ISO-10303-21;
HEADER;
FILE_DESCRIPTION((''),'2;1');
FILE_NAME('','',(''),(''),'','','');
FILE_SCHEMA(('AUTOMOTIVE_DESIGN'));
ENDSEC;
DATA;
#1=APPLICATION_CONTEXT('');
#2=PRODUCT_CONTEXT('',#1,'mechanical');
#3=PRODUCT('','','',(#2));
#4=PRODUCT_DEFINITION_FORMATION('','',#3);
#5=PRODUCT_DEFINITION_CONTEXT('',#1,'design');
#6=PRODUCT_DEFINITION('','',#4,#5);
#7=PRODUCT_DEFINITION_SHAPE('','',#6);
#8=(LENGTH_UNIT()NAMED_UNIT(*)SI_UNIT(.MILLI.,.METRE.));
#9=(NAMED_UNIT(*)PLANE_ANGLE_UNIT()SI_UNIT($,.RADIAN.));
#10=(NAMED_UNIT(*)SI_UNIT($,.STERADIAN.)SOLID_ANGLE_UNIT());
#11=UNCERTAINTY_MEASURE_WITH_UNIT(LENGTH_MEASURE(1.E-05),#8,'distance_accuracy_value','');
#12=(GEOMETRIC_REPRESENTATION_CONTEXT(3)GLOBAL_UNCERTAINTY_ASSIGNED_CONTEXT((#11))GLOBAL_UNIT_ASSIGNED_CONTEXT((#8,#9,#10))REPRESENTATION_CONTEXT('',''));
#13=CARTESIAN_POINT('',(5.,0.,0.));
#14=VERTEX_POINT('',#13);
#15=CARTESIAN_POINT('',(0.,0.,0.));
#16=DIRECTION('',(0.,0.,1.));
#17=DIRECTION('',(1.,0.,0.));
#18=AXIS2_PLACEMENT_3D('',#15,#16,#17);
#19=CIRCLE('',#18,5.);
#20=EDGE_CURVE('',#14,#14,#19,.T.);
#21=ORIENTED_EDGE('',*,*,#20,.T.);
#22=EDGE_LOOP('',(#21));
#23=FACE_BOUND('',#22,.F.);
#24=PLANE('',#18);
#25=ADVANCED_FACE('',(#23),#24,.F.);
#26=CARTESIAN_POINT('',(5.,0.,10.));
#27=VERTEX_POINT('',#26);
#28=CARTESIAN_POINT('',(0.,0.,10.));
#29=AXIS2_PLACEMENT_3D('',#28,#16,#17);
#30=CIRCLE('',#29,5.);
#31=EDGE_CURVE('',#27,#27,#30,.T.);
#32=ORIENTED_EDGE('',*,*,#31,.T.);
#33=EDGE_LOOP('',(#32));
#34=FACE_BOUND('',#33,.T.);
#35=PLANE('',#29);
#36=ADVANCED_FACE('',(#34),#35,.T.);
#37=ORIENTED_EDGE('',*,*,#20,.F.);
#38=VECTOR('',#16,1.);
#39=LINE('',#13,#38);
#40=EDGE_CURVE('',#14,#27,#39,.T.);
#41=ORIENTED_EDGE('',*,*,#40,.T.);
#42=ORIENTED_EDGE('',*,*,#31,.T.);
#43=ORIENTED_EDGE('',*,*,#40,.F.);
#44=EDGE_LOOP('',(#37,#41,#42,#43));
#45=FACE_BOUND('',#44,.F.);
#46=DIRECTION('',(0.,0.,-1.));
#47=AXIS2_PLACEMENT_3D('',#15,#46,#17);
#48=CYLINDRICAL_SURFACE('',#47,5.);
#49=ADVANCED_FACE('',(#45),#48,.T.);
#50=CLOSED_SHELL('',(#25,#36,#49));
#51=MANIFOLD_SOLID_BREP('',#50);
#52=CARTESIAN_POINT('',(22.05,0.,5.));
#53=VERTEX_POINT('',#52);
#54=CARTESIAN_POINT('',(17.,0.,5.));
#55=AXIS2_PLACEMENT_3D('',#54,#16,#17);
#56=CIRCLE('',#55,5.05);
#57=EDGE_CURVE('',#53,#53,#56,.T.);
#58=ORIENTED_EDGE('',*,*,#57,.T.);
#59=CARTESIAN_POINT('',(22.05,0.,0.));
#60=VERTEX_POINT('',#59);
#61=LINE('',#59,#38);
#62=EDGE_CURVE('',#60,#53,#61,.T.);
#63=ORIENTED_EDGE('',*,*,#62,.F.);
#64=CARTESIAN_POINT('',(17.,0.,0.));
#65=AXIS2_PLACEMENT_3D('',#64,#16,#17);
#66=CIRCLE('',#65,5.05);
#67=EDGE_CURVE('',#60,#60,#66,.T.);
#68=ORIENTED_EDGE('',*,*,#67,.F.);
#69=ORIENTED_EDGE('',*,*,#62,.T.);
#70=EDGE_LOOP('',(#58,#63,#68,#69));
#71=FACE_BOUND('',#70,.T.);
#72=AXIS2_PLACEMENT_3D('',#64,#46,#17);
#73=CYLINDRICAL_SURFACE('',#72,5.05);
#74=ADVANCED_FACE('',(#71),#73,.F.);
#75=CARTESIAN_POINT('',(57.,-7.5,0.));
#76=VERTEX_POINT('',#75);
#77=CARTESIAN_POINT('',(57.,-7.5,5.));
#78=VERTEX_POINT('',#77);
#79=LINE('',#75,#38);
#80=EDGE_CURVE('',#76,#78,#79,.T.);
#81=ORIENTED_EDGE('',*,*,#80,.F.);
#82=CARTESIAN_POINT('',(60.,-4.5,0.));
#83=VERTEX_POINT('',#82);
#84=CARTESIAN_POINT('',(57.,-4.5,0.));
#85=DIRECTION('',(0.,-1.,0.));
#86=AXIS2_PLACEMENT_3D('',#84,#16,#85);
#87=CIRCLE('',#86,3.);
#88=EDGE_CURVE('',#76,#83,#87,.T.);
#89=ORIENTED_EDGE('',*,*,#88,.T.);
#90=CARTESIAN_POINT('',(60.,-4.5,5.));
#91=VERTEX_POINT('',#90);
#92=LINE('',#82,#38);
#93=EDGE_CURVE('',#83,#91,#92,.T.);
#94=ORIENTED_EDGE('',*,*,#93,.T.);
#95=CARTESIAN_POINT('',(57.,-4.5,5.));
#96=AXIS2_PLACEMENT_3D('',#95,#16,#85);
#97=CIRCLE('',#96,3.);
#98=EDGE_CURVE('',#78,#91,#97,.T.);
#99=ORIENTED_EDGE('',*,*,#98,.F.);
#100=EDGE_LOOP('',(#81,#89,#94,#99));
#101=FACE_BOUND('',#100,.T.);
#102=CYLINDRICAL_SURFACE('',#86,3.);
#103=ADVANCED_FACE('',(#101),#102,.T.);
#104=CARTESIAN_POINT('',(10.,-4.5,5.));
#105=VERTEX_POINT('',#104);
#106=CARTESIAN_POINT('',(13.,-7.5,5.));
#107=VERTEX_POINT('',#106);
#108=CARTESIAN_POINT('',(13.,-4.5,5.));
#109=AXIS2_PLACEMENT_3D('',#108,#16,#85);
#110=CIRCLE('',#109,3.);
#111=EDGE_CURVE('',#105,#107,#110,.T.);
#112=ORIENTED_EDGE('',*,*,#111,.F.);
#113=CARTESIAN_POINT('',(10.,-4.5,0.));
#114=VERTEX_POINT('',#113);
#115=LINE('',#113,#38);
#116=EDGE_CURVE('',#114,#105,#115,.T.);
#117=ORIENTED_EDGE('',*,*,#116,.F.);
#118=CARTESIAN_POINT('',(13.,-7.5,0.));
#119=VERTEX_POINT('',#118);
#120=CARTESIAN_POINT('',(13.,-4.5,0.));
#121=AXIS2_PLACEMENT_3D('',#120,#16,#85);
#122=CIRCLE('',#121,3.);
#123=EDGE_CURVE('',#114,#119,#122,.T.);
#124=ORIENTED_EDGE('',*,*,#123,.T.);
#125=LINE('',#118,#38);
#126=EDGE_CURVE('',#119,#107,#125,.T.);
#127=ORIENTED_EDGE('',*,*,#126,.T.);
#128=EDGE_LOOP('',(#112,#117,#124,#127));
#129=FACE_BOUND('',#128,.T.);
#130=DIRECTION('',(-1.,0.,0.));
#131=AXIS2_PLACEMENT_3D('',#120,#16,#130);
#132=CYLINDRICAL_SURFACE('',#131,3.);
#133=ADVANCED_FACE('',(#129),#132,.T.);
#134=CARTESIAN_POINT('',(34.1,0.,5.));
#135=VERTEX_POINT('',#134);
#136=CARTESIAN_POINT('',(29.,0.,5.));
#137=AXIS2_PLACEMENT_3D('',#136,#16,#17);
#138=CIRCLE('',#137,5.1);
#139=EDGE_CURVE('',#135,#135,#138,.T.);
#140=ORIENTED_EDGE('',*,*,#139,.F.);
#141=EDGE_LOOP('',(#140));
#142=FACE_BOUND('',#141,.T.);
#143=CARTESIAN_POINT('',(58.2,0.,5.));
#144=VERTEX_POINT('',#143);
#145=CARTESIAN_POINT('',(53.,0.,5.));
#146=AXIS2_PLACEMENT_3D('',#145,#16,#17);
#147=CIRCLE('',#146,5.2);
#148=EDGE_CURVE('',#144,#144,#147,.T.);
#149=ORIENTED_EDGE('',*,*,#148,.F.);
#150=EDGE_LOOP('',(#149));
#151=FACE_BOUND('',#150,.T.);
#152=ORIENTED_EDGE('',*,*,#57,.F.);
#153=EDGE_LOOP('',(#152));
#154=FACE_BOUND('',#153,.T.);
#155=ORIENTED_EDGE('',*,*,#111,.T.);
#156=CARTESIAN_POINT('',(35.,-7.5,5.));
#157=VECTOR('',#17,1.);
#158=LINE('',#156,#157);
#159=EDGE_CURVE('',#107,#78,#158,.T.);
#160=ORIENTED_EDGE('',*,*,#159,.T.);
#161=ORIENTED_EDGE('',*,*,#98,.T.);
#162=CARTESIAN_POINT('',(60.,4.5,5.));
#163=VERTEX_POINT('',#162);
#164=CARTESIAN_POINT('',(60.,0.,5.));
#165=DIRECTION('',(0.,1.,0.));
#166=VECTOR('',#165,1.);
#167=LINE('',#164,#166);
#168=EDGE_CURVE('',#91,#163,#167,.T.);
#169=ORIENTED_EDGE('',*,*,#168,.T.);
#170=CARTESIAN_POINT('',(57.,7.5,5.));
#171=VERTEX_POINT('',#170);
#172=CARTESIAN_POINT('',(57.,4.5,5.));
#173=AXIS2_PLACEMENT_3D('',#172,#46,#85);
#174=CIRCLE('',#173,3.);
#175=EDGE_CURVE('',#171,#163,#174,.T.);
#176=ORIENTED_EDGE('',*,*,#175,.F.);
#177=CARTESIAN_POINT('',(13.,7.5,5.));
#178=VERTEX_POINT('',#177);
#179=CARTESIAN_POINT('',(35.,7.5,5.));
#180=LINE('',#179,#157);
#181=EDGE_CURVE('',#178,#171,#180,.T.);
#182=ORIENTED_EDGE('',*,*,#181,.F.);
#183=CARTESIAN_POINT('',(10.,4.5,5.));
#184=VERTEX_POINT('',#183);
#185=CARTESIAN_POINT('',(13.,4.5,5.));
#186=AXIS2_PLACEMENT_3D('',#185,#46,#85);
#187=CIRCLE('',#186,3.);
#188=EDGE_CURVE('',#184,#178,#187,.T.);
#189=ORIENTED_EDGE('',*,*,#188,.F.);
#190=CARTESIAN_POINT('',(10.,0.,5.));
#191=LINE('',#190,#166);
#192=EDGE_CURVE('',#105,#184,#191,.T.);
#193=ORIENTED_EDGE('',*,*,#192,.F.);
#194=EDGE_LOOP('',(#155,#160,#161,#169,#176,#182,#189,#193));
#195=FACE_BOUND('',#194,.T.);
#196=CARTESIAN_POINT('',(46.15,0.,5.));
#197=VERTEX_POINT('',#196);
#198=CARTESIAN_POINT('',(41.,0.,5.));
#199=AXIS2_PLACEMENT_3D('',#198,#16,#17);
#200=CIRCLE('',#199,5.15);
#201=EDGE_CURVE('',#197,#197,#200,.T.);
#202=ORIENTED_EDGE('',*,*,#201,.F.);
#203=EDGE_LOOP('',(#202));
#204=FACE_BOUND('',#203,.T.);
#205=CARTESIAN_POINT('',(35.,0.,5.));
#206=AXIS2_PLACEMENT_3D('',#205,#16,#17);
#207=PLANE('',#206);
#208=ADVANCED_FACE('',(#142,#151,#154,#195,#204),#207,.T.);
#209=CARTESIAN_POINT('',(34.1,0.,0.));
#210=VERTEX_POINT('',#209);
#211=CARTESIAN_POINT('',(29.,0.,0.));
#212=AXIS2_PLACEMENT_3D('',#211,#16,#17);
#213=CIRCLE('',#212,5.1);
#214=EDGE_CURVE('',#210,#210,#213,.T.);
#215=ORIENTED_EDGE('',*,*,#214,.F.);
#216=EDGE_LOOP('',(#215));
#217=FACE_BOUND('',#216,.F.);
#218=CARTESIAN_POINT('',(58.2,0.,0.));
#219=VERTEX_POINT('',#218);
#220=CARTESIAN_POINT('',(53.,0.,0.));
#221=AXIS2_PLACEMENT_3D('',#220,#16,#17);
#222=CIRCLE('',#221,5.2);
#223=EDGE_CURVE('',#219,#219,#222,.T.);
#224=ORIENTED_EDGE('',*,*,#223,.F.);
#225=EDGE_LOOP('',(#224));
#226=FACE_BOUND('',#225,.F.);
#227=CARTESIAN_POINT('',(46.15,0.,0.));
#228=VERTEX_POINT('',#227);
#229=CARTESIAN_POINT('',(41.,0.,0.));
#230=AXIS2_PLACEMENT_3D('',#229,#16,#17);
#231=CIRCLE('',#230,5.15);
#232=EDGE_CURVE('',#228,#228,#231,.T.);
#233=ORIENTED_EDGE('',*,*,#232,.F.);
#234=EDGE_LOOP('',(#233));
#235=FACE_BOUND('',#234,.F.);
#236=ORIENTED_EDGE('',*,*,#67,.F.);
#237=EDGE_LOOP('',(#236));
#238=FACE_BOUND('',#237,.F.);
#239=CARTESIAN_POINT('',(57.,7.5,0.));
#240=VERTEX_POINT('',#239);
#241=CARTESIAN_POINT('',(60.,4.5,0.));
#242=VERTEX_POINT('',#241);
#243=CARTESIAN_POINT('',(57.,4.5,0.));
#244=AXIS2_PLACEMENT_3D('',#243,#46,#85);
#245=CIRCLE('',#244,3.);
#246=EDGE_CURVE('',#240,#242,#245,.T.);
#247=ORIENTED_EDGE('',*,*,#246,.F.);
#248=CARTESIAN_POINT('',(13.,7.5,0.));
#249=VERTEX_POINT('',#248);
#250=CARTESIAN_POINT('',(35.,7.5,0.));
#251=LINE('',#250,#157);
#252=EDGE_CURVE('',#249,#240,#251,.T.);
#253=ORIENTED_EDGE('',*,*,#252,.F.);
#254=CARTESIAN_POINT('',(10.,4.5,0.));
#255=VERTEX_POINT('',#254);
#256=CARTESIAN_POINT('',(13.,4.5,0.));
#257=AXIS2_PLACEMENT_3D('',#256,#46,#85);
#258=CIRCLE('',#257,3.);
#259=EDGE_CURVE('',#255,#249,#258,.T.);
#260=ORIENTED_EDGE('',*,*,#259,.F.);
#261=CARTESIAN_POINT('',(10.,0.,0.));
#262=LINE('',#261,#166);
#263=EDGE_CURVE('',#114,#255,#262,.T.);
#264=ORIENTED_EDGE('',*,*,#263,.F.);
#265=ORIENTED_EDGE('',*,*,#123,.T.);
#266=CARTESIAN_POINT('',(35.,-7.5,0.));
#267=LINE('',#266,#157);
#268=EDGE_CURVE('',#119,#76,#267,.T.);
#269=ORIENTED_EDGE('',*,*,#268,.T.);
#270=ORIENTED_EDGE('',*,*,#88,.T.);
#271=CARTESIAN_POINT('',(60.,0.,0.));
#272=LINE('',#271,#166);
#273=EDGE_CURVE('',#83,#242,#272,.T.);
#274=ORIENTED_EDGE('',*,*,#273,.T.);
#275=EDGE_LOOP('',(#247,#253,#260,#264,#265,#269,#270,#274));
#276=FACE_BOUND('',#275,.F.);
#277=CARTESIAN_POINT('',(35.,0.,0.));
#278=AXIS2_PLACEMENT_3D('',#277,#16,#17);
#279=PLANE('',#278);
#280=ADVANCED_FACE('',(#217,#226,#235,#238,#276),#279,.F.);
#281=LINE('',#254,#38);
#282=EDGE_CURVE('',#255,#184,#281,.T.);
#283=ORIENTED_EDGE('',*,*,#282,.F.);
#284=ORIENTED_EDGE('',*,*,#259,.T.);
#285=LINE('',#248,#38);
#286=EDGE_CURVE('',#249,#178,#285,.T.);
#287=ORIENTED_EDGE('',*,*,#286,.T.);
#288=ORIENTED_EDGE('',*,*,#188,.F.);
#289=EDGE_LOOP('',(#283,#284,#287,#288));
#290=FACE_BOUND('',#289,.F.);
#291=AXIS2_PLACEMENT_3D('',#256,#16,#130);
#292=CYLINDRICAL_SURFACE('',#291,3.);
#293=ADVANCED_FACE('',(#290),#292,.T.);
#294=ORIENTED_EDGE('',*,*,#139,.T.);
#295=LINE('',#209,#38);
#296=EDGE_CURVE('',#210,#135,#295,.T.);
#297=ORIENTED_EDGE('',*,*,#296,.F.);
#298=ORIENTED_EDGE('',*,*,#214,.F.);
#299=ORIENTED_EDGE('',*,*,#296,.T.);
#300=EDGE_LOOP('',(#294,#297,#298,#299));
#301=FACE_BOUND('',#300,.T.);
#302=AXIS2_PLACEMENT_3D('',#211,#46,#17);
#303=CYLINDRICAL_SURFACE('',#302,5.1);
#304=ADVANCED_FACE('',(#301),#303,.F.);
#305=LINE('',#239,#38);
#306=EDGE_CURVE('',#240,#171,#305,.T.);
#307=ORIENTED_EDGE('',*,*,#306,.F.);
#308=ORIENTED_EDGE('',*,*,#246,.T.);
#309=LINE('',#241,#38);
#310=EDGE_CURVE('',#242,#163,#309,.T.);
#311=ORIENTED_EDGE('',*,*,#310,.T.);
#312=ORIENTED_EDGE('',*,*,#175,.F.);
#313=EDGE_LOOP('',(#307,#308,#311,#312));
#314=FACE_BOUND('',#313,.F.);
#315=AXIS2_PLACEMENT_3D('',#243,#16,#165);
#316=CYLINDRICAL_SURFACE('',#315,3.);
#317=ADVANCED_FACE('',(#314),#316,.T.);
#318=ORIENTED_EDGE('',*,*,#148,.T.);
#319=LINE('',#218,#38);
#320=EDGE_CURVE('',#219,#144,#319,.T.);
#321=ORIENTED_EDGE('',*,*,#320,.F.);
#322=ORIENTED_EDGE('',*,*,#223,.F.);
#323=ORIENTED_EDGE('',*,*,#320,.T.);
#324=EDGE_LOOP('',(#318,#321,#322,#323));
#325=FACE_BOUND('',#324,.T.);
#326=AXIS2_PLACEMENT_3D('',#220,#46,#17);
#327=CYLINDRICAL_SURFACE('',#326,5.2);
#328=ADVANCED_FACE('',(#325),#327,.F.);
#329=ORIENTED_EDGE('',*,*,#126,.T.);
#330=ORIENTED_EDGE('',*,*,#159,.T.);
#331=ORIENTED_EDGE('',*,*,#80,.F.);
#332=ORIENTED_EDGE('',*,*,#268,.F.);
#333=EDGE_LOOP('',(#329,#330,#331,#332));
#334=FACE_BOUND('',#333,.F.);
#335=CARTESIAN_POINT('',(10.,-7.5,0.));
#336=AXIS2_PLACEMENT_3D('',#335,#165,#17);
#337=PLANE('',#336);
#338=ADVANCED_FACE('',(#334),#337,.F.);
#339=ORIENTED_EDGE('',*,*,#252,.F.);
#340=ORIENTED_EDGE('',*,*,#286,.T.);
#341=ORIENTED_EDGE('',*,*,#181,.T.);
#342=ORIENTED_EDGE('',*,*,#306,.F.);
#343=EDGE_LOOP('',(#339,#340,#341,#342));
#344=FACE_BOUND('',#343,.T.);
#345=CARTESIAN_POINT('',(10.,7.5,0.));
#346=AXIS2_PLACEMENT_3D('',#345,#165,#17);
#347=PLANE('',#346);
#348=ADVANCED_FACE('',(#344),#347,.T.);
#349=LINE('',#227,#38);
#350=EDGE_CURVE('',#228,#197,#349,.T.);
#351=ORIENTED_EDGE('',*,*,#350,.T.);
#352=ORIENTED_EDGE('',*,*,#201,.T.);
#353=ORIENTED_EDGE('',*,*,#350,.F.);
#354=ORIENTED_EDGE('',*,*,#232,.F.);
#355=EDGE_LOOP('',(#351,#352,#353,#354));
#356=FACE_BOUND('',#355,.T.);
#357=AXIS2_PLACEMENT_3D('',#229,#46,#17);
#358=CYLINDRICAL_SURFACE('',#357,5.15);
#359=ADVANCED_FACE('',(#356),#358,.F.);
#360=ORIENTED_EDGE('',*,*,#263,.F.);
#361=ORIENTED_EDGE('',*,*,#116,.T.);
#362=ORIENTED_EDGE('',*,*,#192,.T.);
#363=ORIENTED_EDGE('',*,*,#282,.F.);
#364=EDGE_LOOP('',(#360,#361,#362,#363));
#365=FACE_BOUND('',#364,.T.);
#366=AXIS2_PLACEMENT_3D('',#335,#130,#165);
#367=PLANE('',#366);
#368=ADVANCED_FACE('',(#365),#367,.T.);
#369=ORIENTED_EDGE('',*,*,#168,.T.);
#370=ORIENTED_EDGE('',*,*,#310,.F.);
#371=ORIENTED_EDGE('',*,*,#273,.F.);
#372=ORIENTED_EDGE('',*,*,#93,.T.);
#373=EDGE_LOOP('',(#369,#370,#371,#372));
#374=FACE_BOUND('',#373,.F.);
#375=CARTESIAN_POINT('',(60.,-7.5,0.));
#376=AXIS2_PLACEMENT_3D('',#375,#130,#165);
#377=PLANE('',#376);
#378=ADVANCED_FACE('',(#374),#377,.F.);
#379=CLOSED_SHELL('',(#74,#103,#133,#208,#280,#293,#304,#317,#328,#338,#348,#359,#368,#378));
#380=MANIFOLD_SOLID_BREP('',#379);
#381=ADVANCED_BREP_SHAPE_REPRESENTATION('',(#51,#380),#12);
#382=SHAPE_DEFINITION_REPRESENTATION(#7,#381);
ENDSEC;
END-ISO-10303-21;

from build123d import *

# Parameters (mm, degrees)
F0_W     = 50
F0_H     = 15
F0_R     = 5.05
F0_R_2   = 5.1
F0_R_3   = 5.15
F0_R_4   = 5.2
F1_DEPTH = 5
F0_R_5   = 5
F2_DEPTH = 10
F3_R     = 3


with BuildPart() as f1:
    # F0 (on Top) → F1 (new body)
    with BuildSketch(Plane.XY):
        with Locations((35, 0)):
            Rectangle(F0_W, F0_H)
        with Locations((17, 0)):
            Circle(F0_R, mode=Mode.SUBTRACT)
        with Locations((29, 0)):
            Circle(F0_R_2, mode=Mode.SUBTRACT)
        with Locations((41, 0)):
            Circle(F0_R_3, mode=Mode.SUBTRACT)
        with Locations((53, 0)):
            Circle(F0_R_4, mode=Mode.SUBTRACT)
    extrude(amount=F1_DEPTH)

    # F3
    f3_edges = [f1.edges().sort_by_distance(p)[0] for p in [
        (10, -7.5, 2.5),
        (60, -7.5, 2.5),
        (60, 7.5, 2.5),
        (10, 7.5, 2.5),
    ]]
    fillet(f3_edges, radius=F3_R)


with BuildPart() as f2:
    # F0 (on Top) → F2 (new body)
    with BuildSketch(Plane.XY):
        Circle(F0_R_5)
    extrude(amount=F2_DEPTH)


solid = Compound([f1.part, f2.part])
